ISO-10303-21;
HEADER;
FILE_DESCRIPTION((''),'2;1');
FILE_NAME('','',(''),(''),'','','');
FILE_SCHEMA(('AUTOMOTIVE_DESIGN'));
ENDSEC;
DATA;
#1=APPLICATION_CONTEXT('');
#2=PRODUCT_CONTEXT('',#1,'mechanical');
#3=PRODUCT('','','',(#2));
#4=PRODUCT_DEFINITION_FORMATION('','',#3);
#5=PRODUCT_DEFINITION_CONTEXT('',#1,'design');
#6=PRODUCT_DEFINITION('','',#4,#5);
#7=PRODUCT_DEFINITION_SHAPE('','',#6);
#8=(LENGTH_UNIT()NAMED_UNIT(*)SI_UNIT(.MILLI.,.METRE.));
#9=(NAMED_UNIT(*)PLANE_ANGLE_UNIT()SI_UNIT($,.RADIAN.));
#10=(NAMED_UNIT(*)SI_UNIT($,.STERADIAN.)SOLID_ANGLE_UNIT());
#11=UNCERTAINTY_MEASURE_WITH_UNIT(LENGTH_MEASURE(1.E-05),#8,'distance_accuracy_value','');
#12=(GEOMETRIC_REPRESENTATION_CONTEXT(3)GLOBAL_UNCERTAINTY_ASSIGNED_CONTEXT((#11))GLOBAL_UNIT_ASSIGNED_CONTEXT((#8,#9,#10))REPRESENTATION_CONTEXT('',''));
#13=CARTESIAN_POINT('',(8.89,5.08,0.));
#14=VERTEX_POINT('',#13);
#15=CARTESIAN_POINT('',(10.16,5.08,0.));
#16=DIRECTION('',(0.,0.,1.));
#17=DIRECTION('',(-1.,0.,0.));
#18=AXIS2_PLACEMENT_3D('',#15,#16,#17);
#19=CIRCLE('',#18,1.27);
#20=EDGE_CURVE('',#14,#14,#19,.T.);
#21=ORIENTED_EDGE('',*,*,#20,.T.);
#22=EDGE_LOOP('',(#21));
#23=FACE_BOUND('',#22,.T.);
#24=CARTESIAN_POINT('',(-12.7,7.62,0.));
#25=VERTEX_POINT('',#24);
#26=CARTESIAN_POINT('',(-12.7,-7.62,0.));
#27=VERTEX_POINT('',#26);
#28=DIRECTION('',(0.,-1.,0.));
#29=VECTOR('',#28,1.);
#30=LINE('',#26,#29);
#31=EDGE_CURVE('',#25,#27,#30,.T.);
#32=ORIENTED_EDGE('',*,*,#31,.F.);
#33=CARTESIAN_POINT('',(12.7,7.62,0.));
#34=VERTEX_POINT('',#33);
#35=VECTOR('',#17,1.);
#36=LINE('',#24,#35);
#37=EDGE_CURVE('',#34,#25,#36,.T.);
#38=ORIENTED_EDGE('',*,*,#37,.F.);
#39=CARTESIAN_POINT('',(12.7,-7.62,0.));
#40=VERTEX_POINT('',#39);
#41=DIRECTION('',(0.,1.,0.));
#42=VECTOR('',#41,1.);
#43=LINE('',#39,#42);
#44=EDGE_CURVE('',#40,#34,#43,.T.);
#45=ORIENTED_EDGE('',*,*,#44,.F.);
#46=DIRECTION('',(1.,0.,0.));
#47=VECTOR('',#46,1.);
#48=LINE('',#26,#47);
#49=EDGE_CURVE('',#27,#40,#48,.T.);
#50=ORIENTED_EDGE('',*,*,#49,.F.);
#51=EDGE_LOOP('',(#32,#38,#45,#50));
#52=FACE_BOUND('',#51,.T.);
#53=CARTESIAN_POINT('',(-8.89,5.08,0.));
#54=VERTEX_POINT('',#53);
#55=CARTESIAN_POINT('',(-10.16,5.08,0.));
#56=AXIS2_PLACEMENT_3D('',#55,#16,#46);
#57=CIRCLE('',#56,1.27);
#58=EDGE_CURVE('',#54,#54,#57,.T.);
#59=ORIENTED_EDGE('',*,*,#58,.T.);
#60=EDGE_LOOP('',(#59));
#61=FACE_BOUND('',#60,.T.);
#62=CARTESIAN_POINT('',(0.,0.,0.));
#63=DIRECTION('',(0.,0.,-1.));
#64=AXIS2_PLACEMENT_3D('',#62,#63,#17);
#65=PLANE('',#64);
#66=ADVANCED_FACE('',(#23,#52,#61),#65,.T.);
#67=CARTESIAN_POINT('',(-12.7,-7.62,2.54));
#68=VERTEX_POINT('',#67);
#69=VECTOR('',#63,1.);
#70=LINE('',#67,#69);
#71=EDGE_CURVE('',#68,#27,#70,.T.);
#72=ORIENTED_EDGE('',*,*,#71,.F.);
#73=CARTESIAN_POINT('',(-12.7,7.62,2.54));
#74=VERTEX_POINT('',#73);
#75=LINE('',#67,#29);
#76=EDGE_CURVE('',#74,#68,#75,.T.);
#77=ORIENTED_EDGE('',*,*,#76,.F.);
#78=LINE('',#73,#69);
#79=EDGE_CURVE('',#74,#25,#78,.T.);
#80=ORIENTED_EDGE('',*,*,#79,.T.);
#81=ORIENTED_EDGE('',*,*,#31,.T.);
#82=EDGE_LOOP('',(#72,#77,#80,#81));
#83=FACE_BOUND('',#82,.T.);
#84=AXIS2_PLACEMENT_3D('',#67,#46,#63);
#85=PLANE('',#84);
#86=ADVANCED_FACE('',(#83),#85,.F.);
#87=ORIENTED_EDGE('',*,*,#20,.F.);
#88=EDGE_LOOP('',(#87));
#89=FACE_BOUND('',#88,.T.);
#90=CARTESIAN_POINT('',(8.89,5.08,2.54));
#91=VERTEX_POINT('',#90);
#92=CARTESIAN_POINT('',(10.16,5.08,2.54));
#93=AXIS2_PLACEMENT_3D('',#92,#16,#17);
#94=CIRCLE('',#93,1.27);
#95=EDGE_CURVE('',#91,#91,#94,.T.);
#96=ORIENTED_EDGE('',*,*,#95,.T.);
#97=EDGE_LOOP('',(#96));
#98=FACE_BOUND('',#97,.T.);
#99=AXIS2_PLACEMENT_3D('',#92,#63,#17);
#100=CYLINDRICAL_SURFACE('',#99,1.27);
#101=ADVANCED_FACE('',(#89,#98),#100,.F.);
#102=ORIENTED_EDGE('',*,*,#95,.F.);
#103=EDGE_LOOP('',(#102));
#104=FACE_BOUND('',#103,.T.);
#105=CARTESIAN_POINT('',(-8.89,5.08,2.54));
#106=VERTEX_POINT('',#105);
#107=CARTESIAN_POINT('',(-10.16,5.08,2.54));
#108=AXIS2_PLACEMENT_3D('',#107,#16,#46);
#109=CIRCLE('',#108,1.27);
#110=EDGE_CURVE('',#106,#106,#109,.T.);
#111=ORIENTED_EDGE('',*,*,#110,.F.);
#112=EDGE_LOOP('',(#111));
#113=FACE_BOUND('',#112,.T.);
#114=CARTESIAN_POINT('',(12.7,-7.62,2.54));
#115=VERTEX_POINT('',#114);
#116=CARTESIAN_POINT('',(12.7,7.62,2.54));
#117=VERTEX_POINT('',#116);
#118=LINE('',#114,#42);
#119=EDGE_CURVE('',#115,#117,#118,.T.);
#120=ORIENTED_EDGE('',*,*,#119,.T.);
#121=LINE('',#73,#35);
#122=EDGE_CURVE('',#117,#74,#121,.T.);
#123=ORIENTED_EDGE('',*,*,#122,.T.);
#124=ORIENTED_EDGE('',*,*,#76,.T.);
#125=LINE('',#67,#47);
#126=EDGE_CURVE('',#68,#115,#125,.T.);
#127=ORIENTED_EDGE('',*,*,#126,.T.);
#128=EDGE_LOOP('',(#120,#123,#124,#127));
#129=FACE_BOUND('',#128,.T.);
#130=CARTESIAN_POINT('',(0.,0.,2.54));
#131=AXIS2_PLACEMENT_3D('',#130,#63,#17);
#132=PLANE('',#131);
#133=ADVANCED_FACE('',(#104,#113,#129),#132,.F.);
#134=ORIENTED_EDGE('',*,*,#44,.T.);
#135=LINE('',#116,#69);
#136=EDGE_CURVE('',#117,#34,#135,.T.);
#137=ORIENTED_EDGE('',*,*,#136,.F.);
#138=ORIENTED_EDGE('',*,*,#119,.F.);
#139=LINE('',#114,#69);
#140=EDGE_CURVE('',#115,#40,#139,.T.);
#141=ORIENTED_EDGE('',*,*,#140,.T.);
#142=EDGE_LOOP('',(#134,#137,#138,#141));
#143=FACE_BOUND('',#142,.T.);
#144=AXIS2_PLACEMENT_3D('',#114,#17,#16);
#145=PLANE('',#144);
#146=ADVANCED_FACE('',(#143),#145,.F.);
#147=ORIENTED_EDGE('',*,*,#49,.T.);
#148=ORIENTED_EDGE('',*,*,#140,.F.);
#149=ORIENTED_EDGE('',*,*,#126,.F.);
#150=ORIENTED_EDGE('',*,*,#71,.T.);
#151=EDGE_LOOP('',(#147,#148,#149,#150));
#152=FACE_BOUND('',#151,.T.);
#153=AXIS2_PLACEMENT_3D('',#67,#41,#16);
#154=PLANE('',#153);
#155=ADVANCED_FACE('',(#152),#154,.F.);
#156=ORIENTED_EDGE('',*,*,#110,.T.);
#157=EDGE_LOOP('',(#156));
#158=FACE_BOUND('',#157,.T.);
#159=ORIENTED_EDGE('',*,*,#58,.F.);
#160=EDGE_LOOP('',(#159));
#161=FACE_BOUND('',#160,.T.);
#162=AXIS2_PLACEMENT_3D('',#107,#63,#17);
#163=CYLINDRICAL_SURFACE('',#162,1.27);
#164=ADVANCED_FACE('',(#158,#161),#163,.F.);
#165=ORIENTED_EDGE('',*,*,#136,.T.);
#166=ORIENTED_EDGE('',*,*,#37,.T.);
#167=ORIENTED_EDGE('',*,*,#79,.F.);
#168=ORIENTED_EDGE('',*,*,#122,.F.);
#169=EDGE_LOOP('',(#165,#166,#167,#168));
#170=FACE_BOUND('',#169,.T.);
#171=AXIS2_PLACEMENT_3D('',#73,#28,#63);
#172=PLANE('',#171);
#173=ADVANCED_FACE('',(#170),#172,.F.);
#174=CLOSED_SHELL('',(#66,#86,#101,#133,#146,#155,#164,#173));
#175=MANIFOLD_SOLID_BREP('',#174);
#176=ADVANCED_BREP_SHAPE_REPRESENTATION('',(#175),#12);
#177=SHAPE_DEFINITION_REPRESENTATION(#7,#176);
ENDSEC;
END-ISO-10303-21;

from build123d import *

# Parameters (mm, degrees)
SKETCH1_W           = 25.4
SKETCH1_H           = 15.24
SKETCH1_R           = 1.27
BOSS_EXTRUDE1_DEPTH = 2.54


with BuildPart() as part:
    # Sketch1 → Boss-Extrude1 (new body)
    with BuildSketch(Plane.XY):
        Rectangle(SKETCH1_W, SKETCH1_H)
        with Locations((-10.16, 5.08)):
            Circle(SKETCH1_R, mode=Mode.SUBTRACT)
        with Locations((10.16, 5.08)):
            Circle(SKETCH1_R, mode=Mode.SUBTRACT)
    extrude(amount=BOSS_EXTRUDE1_DEPTH)


solid = part.part
